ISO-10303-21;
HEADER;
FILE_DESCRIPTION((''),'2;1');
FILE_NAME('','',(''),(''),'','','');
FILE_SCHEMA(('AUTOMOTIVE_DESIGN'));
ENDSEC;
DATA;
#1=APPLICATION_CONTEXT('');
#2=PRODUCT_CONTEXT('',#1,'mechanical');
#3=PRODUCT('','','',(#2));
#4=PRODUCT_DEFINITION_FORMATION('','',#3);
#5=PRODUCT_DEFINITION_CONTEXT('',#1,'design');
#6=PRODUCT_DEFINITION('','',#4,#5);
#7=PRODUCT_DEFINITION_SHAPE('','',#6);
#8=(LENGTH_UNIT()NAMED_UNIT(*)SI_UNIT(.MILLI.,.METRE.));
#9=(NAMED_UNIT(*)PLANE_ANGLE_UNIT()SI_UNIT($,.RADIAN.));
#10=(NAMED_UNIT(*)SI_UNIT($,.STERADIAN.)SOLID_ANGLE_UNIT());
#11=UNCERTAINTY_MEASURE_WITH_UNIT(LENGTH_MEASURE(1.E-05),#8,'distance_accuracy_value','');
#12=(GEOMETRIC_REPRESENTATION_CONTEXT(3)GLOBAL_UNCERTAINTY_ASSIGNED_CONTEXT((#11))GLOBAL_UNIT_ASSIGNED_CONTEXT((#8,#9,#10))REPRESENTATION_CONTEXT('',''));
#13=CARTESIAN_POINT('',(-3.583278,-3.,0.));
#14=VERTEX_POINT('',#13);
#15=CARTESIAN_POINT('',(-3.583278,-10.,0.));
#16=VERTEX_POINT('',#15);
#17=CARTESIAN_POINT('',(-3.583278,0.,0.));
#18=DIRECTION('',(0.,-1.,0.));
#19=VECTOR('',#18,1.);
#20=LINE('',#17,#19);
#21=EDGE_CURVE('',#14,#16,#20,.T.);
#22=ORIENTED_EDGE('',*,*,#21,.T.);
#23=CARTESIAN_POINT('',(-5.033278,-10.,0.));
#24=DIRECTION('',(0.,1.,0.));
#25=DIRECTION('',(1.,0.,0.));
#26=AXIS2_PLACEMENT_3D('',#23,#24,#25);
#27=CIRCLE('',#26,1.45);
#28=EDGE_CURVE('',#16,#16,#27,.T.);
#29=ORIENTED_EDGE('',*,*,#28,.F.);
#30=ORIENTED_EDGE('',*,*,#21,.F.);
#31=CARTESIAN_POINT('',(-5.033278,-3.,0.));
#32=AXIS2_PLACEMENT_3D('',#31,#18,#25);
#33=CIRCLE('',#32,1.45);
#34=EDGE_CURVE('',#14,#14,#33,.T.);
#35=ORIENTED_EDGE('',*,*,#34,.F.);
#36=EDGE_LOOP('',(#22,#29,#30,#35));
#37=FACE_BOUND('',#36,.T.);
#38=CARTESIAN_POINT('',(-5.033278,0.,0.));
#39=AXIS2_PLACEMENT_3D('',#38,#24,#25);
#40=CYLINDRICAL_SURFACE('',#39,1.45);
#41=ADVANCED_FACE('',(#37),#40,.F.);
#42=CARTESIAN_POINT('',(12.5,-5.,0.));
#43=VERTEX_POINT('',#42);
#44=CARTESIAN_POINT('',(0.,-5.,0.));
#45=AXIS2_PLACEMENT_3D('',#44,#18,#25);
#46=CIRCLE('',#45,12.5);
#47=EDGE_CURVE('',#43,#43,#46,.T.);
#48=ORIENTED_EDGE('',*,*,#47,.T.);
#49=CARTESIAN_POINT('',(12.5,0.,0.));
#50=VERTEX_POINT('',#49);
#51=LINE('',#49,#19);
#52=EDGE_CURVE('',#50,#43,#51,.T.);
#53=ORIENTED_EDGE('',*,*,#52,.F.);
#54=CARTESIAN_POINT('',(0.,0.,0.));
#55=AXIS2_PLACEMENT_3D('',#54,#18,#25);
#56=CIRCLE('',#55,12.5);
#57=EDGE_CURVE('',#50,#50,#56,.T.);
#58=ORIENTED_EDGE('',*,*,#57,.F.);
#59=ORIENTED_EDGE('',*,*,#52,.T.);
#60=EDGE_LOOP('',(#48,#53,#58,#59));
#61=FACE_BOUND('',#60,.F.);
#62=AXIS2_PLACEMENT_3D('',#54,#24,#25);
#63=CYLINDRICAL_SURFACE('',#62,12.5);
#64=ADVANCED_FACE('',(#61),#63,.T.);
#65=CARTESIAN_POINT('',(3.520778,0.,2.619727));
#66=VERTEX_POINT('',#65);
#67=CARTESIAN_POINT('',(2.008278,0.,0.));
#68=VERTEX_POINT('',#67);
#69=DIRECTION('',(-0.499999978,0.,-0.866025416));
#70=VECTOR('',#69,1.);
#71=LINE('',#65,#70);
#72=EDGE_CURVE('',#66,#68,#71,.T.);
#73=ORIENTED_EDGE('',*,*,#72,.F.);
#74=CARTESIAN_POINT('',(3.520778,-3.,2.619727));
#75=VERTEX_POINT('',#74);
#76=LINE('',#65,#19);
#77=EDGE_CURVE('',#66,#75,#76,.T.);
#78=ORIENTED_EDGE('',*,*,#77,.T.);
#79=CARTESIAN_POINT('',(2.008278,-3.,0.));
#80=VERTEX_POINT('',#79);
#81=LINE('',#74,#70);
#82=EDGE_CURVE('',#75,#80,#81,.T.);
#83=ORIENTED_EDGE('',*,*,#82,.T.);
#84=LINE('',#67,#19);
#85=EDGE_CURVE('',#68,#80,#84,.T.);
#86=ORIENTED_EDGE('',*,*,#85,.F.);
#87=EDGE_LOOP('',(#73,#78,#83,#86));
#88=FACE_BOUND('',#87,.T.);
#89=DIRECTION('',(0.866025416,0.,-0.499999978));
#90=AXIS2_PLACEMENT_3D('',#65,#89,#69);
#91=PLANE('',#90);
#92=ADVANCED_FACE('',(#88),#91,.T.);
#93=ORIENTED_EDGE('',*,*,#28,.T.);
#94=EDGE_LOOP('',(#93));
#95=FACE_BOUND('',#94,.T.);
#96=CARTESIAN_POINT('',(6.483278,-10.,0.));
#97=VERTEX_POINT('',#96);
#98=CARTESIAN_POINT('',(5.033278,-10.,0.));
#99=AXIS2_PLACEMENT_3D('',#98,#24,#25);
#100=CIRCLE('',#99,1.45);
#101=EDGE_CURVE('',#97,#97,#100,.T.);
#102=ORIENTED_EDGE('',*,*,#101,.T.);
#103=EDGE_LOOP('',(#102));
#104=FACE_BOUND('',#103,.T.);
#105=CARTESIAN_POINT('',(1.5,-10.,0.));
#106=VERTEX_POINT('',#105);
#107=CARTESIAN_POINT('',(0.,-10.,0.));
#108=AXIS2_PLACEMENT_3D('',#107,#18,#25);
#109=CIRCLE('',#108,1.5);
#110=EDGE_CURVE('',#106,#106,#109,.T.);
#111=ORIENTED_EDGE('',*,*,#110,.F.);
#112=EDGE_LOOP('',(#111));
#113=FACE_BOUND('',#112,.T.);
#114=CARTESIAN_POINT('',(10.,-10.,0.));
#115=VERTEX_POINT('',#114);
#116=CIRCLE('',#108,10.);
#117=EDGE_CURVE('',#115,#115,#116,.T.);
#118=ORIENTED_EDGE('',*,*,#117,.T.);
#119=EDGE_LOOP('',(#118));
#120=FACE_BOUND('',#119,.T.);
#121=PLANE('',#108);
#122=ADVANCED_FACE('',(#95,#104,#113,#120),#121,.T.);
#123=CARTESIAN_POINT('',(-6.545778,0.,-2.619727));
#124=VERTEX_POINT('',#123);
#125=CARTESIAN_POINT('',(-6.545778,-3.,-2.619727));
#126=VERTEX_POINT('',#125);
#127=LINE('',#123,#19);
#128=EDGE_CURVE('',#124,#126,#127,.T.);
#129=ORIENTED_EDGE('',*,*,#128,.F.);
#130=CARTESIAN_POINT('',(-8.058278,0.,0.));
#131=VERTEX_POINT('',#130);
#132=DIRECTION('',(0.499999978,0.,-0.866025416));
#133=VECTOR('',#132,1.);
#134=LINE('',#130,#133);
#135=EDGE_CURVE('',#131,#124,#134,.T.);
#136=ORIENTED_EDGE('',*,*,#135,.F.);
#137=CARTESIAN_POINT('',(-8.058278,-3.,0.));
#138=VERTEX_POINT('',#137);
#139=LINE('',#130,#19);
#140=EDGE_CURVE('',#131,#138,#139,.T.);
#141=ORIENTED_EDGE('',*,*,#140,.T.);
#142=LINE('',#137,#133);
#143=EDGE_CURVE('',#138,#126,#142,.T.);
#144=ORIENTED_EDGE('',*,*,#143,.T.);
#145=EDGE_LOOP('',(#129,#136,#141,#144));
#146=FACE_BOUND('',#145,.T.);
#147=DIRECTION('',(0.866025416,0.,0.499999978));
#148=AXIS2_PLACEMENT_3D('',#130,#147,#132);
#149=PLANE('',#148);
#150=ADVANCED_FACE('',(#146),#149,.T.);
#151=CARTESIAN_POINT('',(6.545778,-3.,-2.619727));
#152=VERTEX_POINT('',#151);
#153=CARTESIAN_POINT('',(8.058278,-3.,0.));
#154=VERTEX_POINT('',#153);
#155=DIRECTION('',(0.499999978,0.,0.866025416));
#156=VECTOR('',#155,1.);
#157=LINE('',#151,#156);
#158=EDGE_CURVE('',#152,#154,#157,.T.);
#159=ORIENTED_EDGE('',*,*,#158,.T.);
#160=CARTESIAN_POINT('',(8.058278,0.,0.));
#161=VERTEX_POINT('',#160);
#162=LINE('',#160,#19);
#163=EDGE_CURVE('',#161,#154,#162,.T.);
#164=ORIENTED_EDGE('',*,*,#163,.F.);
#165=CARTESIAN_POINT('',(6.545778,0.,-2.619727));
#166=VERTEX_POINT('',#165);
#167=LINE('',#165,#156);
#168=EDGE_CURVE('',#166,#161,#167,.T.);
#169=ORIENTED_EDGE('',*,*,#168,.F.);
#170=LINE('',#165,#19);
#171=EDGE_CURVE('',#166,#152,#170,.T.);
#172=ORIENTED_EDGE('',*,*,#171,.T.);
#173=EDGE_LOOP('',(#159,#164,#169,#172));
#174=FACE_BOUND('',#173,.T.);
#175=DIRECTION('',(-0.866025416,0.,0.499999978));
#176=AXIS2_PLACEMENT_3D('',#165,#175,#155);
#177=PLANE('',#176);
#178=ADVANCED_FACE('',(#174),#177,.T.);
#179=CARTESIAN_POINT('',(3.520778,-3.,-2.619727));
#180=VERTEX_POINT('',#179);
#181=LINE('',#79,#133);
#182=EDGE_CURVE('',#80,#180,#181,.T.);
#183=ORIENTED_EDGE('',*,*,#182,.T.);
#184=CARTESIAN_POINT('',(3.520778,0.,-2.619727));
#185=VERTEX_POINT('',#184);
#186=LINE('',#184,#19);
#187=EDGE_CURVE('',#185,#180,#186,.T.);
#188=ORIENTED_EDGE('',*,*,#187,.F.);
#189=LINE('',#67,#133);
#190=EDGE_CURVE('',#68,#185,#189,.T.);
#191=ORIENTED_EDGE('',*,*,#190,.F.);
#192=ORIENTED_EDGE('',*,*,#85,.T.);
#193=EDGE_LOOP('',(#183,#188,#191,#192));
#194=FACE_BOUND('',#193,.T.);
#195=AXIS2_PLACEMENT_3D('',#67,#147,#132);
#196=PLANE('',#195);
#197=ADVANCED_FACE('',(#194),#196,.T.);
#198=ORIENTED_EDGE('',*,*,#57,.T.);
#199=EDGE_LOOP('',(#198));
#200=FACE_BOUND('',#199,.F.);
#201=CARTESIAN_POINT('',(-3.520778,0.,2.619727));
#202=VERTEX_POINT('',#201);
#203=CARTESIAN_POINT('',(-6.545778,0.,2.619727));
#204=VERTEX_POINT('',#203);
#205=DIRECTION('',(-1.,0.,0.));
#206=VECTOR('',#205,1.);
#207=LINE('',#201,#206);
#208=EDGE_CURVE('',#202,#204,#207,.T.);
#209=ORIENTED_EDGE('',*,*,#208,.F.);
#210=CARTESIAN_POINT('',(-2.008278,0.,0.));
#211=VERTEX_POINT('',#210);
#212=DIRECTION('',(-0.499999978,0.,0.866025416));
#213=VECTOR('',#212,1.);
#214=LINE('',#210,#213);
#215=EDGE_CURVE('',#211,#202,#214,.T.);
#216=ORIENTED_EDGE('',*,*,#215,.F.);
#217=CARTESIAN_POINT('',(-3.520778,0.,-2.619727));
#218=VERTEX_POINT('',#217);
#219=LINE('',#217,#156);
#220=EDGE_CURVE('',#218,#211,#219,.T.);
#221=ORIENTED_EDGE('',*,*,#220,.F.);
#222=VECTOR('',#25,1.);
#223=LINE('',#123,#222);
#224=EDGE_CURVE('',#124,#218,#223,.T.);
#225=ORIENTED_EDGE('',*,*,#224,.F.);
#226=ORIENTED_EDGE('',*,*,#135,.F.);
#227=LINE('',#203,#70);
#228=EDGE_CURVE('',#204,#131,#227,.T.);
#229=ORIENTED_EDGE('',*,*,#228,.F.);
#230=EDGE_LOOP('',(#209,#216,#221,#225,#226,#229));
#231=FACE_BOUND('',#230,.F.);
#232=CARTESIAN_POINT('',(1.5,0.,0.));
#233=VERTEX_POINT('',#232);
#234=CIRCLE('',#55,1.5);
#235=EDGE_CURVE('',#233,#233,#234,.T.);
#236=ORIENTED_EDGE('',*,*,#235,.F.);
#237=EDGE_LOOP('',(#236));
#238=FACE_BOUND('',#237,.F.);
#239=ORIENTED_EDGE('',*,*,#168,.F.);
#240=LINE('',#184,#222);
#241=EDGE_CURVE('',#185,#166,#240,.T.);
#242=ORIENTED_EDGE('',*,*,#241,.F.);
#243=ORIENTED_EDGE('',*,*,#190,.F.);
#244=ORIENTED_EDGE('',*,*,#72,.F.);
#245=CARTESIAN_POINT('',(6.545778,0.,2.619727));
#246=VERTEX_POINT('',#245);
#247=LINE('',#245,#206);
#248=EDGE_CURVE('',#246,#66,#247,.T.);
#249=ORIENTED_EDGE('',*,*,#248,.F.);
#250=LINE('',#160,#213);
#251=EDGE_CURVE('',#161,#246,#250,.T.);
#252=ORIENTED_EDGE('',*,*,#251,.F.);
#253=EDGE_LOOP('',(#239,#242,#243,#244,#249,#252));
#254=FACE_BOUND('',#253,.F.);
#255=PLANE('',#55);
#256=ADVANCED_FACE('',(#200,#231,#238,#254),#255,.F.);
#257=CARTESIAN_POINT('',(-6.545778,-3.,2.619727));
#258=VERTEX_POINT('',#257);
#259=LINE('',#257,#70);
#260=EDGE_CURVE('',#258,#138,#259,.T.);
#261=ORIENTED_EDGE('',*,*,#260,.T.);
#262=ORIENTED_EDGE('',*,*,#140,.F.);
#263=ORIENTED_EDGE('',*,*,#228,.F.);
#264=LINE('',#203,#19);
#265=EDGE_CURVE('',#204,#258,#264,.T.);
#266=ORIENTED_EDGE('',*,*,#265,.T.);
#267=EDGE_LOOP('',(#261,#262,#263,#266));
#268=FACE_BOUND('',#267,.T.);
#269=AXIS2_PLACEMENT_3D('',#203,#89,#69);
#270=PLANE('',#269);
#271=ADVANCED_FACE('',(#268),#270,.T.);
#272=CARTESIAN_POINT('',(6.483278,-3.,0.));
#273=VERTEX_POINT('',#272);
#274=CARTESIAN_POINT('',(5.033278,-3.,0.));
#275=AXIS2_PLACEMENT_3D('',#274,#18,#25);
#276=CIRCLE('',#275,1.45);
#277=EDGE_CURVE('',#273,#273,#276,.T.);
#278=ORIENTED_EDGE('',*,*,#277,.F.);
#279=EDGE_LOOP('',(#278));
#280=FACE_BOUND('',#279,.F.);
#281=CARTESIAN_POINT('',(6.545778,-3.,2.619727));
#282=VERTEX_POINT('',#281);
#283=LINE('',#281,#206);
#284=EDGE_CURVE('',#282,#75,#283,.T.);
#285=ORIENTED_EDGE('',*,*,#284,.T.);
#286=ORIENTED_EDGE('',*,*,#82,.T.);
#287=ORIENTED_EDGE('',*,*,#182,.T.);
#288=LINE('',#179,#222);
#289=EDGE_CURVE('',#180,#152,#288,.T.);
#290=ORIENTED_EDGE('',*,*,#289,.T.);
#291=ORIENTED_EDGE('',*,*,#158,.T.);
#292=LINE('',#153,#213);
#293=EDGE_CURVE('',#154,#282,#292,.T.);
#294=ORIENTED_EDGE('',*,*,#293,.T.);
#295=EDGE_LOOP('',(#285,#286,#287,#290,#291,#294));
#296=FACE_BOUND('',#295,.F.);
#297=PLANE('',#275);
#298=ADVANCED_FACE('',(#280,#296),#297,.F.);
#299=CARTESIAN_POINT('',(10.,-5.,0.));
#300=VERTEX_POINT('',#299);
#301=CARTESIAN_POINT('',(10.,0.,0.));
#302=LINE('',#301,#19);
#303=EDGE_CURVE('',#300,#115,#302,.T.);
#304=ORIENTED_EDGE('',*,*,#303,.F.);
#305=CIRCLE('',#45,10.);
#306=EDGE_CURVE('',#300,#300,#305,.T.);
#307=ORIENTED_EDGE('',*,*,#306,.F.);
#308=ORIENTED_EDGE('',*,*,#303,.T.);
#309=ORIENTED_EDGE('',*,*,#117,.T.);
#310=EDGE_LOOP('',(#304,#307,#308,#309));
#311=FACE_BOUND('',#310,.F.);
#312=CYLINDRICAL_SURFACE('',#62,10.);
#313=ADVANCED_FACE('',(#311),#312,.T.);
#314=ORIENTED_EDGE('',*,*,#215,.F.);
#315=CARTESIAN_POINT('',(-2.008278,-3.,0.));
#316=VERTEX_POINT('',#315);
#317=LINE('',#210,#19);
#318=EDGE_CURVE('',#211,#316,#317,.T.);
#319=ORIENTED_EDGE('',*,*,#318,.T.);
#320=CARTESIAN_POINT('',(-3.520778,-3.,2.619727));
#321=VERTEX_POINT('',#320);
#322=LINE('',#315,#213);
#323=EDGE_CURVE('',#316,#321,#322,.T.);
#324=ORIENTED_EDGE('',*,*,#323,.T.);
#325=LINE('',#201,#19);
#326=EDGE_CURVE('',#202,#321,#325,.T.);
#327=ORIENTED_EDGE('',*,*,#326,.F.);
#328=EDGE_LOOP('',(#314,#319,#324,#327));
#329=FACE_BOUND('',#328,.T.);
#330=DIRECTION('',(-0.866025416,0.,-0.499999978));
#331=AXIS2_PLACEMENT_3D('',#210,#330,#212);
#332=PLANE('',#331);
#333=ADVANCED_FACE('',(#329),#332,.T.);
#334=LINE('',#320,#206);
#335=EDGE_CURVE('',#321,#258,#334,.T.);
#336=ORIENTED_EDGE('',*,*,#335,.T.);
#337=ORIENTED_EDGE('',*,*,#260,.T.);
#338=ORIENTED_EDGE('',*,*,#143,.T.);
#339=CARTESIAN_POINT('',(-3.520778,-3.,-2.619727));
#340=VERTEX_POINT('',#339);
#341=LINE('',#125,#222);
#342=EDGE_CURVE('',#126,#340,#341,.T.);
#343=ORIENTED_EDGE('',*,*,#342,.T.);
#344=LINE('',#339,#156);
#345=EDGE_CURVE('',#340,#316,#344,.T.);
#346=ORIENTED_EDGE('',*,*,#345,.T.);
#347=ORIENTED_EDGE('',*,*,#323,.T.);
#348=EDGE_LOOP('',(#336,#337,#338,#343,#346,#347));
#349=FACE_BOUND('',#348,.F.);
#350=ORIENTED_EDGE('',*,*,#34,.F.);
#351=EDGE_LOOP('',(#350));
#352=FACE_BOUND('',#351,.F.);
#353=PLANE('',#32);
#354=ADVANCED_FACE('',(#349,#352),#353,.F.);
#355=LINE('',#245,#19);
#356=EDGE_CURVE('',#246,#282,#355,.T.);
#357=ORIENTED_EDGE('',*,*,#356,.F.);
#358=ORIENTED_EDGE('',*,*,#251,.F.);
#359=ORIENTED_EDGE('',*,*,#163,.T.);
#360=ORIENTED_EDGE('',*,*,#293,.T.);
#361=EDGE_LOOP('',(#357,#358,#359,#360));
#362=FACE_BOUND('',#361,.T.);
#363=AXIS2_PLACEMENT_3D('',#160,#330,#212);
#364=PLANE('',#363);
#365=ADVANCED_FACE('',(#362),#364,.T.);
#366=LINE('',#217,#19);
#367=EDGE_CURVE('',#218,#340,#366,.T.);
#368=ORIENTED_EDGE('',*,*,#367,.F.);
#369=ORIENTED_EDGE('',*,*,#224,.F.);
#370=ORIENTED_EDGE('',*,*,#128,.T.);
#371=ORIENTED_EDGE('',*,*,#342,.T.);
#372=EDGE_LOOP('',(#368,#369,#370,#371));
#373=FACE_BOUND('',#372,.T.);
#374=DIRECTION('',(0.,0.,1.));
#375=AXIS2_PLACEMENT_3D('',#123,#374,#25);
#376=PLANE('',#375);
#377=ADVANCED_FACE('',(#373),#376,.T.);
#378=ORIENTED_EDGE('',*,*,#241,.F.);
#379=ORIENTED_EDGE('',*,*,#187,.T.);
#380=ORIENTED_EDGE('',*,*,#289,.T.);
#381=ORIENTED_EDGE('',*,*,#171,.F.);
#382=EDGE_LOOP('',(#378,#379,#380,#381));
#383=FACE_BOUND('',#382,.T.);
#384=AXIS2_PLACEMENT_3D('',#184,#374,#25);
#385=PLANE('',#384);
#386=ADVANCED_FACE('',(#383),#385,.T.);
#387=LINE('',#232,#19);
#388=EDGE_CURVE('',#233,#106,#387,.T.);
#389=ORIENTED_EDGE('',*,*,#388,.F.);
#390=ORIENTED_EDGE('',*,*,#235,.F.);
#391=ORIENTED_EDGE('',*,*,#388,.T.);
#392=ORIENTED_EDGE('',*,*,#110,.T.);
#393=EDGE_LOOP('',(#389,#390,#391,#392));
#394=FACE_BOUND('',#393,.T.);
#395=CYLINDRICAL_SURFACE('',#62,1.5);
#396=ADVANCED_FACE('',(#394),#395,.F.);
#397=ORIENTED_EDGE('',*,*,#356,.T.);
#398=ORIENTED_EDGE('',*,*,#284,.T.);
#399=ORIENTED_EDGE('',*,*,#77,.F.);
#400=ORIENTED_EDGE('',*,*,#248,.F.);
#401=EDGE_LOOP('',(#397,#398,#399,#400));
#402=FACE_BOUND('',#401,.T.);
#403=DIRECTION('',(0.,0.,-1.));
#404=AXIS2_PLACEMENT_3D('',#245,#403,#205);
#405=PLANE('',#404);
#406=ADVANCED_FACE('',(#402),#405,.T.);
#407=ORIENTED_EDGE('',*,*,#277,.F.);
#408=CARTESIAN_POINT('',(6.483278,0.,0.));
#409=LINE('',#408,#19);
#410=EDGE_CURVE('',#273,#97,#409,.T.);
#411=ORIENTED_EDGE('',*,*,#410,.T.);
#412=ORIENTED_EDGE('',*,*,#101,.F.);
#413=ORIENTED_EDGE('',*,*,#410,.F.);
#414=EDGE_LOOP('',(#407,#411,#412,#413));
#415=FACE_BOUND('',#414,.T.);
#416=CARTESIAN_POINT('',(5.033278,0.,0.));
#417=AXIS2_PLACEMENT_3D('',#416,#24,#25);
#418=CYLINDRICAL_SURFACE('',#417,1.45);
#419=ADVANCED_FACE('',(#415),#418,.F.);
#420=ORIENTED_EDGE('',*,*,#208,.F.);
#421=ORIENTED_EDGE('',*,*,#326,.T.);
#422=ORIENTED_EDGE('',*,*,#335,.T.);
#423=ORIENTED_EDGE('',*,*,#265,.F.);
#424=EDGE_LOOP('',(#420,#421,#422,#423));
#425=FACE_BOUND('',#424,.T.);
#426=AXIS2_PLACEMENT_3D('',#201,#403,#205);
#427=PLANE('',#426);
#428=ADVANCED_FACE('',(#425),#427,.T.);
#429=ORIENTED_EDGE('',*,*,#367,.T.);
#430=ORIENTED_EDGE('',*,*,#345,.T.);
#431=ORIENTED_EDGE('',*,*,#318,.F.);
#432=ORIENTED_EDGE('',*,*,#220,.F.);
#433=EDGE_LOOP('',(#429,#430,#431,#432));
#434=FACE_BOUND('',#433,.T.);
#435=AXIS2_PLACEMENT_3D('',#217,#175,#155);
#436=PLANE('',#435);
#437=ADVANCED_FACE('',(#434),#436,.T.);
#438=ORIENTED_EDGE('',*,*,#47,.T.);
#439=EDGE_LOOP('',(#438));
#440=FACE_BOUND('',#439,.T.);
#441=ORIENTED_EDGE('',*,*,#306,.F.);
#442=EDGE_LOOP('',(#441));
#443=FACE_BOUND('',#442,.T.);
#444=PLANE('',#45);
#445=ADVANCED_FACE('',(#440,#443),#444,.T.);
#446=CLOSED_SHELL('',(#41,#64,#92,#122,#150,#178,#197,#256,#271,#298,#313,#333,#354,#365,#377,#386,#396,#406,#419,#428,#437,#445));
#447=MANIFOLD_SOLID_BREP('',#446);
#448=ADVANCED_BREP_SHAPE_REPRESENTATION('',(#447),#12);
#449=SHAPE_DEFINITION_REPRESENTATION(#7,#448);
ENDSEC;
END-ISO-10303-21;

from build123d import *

# Parameters (mm, degrees)
F0_R     = 12.5
F0_R_2   = 10
F1_DEPTH = 5
F0_R_3   = 1.5
F2_DEPTH = 10
F3_R     = 1.45
F4_DEPTH = 25
F5_DEPTH = 25
F6_DEPTH = 3


with BuildPart() as f1:
    # F0 (on Front) → F1 (new body)
    with BuildSketch(Plane.XZ):
        Circle(F0_R)
        Circle(F0_R_2, mode=Mode.SUBTRACT)
    extrude(amount=F1_DEPTH)

    # F0 (on Front) → F2 (join)
    with BuildSketch(Plane.XZ):
        Circle(F0_R_2)
        Circle(F0_R_3, mode=Mode.SUBTRACT)
    extrude(amount=F2_DEPTH)

    # F3 (on Front) → F4 (cut)
    with BuildSketch(Plane.XZ):
        with Locations((-5.033278, 0)):
            Circle(F3_R)
    extrude(amount=F4_DEPTH, mode=Mode.SUBTRACT)

    # F3 (on Front) → F5 (cut)
    with BuildSketch(Plane.XZ):
        with Locations((5.033278, 0)):
            Circle(F3_R)
    extrude(amount=F5_DEPTH, mode=Mode.SUBTRACT)

    # F3 (on Front) → F6 (cut)
    with BuildSketch(Plane.XZ):
        Polygon((-6.545778, -2.619727), (-3.520778, -2.619727), (-2.008278, 0), (-3.520778, 2.619727), (-6.545778, 2.619727), (-8.058278, 0), align=None)
        with Locations((-5.033278, 0)):
            Circle(F3_R, mode=Mode.SUBTRACT)
        Polygon((6.545778, -2.619727), (8.058278, 0), (6.545778, 2.619727), (3.520778, 2.619727), (2.008278, 0), (3.520778, -2.619727), align=None)
        with Locations((5.033278, 0)):
            Circle(F3_R, mode=Mode.SUBTRACT)
    extrude(amount=F6_DEPTH, mode=Mode.SUBTRACT)


solid = f1.part
